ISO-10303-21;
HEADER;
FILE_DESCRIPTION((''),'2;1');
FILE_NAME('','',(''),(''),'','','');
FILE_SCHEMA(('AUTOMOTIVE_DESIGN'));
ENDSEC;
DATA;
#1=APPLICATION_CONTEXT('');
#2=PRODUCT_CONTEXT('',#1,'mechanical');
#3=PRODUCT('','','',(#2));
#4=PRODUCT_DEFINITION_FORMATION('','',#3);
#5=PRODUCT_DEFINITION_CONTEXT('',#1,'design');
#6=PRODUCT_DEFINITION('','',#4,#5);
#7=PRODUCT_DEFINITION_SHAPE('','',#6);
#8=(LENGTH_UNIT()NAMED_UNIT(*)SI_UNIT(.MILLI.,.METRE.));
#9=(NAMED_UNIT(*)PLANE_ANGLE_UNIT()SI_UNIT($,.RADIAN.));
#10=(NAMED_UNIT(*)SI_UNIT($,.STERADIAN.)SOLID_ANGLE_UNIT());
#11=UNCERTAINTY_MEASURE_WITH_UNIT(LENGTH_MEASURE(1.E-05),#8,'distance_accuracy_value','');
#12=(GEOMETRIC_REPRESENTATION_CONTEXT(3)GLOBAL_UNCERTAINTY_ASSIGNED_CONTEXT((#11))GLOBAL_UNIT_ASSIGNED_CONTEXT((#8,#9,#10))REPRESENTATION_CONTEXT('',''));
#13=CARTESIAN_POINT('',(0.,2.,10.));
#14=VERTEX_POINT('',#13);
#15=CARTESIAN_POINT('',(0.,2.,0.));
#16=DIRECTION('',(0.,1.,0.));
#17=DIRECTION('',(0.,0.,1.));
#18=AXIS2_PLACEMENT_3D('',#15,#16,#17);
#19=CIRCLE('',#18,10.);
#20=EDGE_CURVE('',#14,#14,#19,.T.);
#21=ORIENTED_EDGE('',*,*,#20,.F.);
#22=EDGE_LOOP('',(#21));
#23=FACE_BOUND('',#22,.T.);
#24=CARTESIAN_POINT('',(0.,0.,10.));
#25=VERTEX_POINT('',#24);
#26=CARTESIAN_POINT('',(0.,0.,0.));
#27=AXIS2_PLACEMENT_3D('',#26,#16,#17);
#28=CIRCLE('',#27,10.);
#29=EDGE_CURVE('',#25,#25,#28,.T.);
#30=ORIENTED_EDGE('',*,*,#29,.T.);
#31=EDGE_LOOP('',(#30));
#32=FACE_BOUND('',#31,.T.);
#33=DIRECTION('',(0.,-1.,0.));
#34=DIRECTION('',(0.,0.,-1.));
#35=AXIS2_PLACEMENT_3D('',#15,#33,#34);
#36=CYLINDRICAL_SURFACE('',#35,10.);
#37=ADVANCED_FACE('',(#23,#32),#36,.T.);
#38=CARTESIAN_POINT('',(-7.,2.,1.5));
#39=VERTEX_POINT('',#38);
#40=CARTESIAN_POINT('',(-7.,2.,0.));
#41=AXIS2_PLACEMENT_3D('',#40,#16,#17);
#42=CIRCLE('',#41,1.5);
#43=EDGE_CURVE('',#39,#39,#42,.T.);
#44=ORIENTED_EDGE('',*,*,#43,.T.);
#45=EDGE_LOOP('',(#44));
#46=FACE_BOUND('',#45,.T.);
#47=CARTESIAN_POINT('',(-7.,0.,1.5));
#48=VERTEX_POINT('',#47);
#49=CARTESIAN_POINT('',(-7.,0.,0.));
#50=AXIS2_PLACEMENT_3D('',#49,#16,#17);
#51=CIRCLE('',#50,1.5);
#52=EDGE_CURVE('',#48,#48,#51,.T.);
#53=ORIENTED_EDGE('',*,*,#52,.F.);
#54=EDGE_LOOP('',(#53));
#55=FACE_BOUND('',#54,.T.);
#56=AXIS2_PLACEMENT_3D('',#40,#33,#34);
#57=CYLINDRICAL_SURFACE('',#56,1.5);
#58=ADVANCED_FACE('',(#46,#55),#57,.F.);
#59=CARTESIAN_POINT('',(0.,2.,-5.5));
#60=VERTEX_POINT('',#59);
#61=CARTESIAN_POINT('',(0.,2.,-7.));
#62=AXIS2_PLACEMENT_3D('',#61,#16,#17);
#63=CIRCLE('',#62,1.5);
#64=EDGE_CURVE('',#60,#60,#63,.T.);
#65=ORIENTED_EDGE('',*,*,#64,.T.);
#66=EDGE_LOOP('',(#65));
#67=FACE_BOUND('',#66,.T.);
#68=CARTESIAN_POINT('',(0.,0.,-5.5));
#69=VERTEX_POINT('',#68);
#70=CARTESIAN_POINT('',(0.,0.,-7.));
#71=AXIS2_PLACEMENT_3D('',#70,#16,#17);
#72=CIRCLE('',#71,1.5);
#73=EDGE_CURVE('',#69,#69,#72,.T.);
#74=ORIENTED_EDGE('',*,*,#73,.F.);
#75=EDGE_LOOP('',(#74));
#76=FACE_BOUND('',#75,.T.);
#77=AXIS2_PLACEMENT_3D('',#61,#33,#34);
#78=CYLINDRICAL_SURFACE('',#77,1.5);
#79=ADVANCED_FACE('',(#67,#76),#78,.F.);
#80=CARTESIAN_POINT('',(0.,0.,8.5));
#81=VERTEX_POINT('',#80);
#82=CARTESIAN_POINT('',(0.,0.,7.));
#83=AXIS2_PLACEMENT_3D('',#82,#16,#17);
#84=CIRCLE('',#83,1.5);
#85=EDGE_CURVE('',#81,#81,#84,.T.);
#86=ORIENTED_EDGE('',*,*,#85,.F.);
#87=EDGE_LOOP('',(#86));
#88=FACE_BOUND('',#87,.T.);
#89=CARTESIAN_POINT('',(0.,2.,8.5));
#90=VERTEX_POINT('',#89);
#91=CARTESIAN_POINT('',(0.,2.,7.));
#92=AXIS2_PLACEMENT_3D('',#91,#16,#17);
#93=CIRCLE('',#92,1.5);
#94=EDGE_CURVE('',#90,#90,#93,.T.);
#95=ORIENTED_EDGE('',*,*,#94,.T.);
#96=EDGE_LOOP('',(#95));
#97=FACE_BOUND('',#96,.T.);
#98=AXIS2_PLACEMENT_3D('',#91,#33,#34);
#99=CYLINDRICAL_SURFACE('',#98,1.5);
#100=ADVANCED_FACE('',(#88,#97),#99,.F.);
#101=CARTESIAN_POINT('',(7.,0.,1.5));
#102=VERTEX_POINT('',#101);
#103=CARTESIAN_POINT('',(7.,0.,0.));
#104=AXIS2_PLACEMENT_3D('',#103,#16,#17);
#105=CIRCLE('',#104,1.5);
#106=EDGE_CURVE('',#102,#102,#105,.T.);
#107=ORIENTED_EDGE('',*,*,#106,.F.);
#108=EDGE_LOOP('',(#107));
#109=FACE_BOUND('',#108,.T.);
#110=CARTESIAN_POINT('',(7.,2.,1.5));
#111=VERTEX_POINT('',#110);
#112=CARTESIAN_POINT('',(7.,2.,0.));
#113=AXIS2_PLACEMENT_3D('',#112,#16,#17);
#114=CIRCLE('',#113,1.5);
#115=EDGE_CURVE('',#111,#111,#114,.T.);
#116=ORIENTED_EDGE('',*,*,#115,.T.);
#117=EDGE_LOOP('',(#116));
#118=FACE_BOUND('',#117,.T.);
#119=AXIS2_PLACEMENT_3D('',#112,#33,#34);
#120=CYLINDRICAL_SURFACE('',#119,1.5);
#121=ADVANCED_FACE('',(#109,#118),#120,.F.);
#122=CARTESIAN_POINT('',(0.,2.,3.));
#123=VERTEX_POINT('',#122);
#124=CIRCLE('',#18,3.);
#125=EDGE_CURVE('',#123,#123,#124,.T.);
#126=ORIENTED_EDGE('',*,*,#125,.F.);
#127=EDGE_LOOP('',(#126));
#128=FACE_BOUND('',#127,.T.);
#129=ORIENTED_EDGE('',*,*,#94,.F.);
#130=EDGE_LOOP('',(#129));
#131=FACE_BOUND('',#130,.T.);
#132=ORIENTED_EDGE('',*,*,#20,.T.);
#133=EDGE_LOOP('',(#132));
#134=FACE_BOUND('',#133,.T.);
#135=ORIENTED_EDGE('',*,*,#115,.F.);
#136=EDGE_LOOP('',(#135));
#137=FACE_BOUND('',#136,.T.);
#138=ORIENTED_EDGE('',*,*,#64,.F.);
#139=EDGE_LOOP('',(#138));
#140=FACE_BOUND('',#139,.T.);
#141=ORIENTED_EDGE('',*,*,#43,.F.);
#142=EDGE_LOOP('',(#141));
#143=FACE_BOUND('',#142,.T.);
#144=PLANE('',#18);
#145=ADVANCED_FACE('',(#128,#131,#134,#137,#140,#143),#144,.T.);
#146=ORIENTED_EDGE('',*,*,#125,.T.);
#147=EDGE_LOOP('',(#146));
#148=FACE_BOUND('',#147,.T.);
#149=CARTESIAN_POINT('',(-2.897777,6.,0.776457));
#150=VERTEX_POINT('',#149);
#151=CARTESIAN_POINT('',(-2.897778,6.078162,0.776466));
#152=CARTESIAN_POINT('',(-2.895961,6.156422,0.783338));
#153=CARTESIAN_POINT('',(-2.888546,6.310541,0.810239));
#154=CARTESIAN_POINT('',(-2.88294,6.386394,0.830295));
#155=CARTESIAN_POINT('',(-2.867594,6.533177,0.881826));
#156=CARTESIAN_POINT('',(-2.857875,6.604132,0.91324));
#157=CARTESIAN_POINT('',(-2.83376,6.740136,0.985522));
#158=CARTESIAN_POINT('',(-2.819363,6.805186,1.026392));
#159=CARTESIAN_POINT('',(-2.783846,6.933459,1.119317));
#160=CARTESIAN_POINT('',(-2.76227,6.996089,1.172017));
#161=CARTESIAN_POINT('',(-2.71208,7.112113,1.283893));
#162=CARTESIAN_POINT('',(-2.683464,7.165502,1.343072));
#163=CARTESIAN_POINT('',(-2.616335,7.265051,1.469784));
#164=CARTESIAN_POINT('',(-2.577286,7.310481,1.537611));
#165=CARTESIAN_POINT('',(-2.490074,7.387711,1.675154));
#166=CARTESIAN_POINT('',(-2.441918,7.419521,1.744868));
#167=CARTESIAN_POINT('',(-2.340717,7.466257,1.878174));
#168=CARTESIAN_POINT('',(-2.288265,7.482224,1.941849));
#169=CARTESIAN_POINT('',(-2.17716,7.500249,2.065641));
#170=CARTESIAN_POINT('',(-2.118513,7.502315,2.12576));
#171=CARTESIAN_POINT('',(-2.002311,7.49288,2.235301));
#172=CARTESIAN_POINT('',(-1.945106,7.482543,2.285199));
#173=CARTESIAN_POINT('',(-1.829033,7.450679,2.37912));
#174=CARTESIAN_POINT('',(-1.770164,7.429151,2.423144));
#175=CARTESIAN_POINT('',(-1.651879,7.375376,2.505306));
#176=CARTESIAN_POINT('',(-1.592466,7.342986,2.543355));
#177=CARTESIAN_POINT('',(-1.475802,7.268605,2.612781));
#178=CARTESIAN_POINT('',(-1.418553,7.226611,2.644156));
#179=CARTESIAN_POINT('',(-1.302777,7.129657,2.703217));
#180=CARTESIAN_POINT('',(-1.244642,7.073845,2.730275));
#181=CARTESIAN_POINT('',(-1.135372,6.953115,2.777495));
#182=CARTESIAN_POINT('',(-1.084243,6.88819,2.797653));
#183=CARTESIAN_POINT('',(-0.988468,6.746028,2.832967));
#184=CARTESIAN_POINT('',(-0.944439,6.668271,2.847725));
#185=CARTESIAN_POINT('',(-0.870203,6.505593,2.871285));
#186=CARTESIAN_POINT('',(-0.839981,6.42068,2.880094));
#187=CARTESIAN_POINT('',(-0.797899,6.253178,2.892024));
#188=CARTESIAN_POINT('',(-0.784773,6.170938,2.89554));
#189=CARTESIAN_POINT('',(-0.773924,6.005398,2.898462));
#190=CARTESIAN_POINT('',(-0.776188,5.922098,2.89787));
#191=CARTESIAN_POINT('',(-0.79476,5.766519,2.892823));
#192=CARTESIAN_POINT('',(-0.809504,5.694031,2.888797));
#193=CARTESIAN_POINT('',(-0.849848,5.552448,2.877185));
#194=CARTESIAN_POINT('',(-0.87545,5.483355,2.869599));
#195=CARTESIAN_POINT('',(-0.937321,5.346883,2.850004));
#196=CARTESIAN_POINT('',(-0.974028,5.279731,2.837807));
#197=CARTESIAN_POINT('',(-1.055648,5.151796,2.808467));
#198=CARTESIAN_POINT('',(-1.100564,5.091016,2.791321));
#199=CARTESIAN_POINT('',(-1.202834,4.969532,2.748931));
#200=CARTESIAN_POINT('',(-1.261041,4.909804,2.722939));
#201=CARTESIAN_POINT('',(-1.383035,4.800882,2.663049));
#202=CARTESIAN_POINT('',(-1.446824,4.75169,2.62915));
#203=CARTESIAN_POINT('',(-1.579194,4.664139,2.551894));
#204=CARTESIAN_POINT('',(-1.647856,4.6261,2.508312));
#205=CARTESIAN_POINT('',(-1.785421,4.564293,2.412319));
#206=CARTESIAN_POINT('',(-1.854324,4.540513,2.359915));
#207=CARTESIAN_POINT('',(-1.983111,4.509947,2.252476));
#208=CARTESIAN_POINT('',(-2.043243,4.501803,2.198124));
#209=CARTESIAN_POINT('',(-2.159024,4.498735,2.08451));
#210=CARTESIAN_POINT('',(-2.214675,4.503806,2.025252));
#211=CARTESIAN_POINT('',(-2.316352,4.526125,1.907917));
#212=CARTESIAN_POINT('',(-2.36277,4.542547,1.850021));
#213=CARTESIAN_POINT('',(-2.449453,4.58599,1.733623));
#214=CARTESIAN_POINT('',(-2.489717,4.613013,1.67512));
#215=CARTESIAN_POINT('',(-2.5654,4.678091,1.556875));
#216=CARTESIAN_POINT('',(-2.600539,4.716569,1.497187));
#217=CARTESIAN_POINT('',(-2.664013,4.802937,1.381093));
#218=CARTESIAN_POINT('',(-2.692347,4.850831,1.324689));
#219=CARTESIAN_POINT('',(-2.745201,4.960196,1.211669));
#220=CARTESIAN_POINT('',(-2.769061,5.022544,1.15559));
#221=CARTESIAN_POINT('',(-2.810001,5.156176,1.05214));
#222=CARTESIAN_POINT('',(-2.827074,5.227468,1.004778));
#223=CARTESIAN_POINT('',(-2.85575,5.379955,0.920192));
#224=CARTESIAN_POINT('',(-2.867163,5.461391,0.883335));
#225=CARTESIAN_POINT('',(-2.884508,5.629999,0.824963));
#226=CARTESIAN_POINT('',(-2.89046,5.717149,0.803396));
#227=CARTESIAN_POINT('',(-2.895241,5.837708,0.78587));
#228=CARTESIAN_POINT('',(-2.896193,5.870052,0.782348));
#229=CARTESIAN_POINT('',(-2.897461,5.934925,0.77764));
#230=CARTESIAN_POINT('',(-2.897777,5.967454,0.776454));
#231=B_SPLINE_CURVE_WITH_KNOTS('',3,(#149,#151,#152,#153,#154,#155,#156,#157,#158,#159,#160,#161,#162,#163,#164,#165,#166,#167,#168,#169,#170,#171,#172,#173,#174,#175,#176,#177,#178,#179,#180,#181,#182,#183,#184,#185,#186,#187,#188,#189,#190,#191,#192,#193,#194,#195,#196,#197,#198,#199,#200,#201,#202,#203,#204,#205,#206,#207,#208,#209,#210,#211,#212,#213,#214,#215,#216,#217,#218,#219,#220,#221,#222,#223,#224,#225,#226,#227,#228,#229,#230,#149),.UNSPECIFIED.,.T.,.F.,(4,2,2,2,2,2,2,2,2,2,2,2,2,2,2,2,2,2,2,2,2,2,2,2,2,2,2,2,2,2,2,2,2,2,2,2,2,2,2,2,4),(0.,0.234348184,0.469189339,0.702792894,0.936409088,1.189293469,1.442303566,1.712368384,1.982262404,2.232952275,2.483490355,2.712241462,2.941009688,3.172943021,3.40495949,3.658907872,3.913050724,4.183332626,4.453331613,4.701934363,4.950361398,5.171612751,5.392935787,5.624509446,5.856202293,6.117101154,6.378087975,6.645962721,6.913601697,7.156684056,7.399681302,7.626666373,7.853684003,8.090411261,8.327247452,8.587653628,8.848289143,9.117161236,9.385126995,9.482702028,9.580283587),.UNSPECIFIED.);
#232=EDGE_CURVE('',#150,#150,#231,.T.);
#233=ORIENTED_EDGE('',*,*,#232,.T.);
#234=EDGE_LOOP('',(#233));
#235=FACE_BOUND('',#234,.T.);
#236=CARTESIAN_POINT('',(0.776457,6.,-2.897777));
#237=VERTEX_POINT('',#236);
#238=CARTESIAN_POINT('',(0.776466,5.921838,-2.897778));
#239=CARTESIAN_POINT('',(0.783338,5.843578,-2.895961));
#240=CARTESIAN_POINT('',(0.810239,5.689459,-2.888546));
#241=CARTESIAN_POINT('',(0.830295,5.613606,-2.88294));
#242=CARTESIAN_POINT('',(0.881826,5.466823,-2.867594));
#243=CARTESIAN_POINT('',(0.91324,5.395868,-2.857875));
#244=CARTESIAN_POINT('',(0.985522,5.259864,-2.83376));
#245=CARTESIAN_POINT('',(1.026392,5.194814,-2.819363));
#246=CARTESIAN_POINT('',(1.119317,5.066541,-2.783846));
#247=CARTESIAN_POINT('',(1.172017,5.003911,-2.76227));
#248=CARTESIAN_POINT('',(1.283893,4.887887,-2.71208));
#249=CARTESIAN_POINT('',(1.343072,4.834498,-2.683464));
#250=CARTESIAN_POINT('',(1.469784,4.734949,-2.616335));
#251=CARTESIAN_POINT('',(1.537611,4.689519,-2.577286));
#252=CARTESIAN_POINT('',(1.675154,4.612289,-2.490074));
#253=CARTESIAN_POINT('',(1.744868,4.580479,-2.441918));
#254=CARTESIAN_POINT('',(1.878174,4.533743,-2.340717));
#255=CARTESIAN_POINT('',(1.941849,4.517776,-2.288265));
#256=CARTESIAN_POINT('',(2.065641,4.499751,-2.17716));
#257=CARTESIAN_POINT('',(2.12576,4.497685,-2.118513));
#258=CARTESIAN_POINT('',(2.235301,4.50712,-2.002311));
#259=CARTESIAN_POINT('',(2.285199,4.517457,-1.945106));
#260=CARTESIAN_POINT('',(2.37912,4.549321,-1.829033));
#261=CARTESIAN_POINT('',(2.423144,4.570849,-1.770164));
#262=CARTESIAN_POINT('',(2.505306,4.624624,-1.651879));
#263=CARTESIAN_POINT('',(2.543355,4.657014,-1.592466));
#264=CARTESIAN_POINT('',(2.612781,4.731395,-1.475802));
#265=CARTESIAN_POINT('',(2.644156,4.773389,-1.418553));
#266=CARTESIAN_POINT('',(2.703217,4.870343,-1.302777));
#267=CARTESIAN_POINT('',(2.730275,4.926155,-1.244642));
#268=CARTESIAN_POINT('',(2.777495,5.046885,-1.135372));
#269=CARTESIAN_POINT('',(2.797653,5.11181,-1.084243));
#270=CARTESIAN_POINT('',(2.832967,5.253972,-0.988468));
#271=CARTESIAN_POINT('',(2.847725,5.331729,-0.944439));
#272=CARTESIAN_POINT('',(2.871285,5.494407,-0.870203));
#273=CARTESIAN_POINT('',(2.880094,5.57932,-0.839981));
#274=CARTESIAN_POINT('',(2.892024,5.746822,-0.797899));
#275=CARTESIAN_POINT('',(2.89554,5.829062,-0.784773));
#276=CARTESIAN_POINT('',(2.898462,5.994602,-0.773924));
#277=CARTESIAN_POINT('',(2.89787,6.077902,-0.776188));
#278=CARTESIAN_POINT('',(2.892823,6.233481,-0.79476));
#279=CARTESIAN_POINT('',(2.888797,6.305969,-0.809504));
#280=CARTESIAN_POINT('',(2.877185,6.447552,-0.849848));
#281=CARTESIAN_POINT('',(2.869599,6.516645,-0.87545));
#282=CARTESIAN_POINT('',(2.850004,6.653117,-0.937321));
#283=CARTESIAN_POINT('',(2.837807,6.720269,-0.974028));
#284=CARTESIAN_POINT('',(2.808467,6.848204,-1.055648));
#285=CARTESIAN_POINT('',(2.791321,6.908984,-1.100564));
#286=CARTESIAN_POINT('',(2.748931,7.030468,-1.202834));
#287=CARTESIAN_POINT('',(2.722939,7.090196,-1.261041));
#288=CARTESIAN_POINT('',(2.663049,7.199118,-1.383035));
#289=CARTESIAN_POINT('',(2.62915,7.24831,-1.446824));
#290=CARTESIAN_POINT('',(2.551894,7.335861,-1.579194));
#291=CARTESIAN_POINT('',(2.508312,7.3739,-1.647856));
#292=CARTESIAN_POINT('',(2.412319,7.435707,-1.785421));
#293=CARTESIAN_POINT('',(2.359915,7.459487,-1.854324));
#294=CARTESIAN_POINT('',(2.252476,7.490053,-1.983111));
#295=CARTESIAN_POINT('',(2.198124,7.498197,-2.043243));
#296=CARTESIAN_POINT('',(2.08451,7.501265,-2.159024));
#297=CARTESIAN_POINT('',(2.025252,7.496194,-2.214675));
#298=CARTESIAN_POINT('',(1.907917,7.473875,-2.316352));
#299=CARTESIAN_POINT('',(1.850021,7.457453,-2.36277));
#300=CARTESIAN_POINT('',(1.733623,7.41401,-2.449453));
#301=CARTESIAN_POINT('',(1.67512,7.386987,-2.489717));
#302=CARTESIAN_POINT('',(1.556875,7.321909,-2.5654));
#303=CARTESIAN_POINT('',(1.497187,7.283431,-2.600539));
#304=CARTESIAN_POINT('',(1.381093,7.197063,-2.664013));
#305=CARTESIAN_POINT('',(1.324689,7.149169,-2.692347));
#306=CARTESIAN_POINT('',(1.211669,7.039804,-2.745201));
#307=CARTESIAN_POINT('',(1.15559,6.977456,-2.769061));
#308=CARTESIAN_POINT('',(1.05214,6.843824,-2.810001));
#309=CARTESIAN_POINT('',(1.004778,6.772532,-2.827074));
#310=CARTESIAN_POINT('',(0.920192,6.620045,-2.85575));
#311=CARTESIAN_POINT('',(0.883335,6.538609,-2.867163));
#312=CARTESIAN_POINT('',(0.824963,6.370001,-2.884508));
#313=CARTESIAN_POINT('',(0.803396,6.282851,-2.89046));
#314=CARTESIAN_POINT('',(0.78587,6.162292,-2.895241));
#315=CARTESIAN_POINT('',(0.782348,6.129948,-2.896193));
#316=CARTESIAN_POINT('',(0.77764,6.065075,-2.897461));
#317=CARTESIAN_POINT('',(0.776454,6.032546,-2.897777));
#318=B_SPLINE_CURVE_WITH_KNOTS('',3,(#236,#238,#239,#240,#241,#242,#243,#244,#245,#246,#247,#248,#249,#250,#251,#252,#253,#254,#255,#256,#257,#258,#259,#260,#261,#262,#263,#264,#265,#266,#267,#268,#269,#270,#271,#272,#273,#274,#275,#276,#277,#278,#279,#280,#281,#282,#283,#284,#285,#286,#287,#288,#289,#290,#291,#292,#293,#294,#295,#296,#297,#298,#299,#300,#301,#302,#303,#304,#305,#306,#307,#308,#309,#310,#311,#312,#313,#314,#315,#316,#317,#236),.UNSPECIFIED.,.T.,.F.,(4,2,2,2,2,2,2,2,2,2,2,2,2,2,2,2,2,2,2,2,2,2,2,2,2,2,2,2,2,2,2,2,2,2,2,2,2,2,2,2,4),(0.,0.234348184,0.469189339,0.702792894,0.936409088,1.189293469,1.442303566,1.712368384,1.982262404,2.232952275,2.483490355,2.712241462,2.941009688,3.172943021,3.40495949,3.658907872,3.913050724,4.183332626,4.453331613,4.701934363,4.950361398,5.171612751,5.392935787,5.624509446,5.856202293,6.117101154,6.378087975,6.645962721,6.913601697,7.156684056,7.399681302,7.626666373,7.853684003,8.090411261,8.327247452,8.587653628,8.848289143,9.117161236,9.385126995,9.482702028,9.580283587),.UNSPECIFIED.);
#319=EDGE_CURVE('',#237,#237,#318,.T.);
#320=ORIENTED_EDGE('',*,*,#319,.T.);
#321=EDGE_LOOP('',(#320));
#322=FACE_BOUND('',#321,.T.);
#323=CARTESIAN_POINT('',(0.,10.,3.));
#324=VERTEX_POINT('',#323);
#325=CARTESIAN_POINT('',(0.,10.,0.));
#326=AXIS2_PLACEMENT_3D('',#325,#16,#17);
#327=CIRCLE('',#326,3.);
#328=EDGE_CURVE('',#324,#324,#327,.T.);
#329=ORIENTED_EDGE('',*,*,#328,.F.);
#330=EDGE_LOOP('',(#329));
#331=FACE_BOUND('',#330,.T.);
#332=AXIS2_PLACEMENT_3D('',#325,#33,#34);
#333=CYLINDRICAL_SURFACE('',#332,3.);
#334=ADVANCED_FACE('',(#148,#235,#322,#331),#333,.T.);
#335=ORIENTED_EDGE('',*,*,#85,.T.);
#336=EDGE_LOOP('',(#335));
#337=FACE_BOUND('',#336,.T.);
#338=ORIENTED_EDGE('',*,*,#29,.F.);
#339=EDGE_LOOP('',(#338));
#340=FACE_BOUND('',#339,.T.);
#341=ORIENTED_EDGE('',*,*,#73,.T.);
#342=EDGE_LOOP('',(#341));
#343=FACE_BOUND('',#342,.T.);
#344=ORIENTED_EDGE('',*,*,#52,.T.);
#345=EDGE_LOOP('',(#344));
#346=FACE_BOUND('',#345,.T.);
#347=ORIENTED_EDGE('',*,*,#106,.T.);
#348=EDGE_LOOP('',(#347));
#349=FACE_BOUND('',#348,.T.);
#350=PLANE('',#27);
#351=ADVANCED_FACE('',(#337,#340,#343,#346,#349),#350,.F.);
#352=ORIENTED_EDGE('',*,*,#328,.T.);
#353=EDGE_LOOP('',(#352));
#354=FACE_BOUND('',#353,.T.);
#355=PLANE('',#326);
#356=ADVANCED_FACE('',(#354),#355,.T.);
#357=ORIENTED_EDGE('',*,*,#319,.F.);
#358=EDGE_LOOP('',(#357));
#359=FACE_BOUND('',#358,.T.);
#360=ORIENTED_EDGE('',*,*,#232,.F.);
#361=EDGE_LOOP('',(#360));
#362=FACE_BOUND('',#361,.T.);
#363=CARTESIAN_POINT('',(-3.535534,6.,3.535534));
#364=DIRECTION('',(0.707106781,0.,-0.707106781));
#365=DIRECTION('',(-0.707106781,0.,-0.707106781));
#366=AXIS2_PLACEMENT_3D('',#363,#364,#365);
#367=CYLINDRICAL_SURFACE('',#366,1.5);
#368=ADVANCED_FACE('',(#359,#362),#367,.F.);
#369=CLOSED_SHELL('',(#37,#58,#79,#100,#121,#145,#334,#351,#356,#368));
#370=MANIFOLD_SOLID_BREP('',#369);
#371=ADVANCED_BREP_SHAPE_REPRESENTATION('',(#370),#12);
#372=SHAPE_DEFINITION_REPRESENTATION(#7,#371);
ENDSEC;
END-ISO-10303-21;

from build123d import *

# Parameters (mm, degrees)
SKETCH_1_R          = 10
SKETCH_1_R_2        = 3
SKETCH_1_R_3        = 1.5
EXTRUDE_1_DEPTH     = 2
SKETCH_2_R          = 3
EXTRUDE_2_DEPTH     = 10
SKETCH_5_R          = 1.5
CUT_EXTRUDE_3_DEPTH = 5


with BuildPart() as part:
    # 草图1 → 凸台-拉伸1 (new body)
    with BuildSketch(Plane(origin=(0, 0, 0), x_dir=(1, 0, 0), z_dir=(0, 1, 0))):
        Circle(SKETCH_1_R)
        Circle(SKETCH_1_R_2, mode=Mode.SUBTRACT)
        with Locations((0, 7)):
            Circle(SKETCH_1_R_3, mode=Mode.SUBTRACT)
        with Locations((7, 0)):
            Circle(SKETCH_1_R_3, mode=Mode.SUBTRACT)
        with Locations((0, -7)):
            Circle(SKETCH_1_R_3, mode=Mode.SUBTRACT)
        with Locations((-7, 0)):
            Circle(SKETCH_1_R_3, mode=Mode.SUBTRACT)
    extrude(amount=EXTRUDE_1_DEPTH)

    # 草图2 → 凸台-拉伸2 (add)
    with BuildSketch(Plane(origin=(0, 0, 0), x_dir=(1, 0, 0), z_dir=(0, 1, 0))):
        Circle(SKETCH_2_R)
    extrude(amount=EXTRUDE_2_DEPTH)

    # 草图5 → 切除-拉伸3 (cut, symmetric)
    with BuildSketch(Plane(origin=(0, 0, 0), x_dir=(0, 1, 0), z_dir=(0.7071067811865438, 0, -0.7071067811865512))):
        with Locations((6, 0)):
            Circle(SKETCH_5_R)
    extrude(amount=CUT_EXTRUDE_3_DEPTH, both=True, mode=Mode.SUBTRACT)


solid = part.part
